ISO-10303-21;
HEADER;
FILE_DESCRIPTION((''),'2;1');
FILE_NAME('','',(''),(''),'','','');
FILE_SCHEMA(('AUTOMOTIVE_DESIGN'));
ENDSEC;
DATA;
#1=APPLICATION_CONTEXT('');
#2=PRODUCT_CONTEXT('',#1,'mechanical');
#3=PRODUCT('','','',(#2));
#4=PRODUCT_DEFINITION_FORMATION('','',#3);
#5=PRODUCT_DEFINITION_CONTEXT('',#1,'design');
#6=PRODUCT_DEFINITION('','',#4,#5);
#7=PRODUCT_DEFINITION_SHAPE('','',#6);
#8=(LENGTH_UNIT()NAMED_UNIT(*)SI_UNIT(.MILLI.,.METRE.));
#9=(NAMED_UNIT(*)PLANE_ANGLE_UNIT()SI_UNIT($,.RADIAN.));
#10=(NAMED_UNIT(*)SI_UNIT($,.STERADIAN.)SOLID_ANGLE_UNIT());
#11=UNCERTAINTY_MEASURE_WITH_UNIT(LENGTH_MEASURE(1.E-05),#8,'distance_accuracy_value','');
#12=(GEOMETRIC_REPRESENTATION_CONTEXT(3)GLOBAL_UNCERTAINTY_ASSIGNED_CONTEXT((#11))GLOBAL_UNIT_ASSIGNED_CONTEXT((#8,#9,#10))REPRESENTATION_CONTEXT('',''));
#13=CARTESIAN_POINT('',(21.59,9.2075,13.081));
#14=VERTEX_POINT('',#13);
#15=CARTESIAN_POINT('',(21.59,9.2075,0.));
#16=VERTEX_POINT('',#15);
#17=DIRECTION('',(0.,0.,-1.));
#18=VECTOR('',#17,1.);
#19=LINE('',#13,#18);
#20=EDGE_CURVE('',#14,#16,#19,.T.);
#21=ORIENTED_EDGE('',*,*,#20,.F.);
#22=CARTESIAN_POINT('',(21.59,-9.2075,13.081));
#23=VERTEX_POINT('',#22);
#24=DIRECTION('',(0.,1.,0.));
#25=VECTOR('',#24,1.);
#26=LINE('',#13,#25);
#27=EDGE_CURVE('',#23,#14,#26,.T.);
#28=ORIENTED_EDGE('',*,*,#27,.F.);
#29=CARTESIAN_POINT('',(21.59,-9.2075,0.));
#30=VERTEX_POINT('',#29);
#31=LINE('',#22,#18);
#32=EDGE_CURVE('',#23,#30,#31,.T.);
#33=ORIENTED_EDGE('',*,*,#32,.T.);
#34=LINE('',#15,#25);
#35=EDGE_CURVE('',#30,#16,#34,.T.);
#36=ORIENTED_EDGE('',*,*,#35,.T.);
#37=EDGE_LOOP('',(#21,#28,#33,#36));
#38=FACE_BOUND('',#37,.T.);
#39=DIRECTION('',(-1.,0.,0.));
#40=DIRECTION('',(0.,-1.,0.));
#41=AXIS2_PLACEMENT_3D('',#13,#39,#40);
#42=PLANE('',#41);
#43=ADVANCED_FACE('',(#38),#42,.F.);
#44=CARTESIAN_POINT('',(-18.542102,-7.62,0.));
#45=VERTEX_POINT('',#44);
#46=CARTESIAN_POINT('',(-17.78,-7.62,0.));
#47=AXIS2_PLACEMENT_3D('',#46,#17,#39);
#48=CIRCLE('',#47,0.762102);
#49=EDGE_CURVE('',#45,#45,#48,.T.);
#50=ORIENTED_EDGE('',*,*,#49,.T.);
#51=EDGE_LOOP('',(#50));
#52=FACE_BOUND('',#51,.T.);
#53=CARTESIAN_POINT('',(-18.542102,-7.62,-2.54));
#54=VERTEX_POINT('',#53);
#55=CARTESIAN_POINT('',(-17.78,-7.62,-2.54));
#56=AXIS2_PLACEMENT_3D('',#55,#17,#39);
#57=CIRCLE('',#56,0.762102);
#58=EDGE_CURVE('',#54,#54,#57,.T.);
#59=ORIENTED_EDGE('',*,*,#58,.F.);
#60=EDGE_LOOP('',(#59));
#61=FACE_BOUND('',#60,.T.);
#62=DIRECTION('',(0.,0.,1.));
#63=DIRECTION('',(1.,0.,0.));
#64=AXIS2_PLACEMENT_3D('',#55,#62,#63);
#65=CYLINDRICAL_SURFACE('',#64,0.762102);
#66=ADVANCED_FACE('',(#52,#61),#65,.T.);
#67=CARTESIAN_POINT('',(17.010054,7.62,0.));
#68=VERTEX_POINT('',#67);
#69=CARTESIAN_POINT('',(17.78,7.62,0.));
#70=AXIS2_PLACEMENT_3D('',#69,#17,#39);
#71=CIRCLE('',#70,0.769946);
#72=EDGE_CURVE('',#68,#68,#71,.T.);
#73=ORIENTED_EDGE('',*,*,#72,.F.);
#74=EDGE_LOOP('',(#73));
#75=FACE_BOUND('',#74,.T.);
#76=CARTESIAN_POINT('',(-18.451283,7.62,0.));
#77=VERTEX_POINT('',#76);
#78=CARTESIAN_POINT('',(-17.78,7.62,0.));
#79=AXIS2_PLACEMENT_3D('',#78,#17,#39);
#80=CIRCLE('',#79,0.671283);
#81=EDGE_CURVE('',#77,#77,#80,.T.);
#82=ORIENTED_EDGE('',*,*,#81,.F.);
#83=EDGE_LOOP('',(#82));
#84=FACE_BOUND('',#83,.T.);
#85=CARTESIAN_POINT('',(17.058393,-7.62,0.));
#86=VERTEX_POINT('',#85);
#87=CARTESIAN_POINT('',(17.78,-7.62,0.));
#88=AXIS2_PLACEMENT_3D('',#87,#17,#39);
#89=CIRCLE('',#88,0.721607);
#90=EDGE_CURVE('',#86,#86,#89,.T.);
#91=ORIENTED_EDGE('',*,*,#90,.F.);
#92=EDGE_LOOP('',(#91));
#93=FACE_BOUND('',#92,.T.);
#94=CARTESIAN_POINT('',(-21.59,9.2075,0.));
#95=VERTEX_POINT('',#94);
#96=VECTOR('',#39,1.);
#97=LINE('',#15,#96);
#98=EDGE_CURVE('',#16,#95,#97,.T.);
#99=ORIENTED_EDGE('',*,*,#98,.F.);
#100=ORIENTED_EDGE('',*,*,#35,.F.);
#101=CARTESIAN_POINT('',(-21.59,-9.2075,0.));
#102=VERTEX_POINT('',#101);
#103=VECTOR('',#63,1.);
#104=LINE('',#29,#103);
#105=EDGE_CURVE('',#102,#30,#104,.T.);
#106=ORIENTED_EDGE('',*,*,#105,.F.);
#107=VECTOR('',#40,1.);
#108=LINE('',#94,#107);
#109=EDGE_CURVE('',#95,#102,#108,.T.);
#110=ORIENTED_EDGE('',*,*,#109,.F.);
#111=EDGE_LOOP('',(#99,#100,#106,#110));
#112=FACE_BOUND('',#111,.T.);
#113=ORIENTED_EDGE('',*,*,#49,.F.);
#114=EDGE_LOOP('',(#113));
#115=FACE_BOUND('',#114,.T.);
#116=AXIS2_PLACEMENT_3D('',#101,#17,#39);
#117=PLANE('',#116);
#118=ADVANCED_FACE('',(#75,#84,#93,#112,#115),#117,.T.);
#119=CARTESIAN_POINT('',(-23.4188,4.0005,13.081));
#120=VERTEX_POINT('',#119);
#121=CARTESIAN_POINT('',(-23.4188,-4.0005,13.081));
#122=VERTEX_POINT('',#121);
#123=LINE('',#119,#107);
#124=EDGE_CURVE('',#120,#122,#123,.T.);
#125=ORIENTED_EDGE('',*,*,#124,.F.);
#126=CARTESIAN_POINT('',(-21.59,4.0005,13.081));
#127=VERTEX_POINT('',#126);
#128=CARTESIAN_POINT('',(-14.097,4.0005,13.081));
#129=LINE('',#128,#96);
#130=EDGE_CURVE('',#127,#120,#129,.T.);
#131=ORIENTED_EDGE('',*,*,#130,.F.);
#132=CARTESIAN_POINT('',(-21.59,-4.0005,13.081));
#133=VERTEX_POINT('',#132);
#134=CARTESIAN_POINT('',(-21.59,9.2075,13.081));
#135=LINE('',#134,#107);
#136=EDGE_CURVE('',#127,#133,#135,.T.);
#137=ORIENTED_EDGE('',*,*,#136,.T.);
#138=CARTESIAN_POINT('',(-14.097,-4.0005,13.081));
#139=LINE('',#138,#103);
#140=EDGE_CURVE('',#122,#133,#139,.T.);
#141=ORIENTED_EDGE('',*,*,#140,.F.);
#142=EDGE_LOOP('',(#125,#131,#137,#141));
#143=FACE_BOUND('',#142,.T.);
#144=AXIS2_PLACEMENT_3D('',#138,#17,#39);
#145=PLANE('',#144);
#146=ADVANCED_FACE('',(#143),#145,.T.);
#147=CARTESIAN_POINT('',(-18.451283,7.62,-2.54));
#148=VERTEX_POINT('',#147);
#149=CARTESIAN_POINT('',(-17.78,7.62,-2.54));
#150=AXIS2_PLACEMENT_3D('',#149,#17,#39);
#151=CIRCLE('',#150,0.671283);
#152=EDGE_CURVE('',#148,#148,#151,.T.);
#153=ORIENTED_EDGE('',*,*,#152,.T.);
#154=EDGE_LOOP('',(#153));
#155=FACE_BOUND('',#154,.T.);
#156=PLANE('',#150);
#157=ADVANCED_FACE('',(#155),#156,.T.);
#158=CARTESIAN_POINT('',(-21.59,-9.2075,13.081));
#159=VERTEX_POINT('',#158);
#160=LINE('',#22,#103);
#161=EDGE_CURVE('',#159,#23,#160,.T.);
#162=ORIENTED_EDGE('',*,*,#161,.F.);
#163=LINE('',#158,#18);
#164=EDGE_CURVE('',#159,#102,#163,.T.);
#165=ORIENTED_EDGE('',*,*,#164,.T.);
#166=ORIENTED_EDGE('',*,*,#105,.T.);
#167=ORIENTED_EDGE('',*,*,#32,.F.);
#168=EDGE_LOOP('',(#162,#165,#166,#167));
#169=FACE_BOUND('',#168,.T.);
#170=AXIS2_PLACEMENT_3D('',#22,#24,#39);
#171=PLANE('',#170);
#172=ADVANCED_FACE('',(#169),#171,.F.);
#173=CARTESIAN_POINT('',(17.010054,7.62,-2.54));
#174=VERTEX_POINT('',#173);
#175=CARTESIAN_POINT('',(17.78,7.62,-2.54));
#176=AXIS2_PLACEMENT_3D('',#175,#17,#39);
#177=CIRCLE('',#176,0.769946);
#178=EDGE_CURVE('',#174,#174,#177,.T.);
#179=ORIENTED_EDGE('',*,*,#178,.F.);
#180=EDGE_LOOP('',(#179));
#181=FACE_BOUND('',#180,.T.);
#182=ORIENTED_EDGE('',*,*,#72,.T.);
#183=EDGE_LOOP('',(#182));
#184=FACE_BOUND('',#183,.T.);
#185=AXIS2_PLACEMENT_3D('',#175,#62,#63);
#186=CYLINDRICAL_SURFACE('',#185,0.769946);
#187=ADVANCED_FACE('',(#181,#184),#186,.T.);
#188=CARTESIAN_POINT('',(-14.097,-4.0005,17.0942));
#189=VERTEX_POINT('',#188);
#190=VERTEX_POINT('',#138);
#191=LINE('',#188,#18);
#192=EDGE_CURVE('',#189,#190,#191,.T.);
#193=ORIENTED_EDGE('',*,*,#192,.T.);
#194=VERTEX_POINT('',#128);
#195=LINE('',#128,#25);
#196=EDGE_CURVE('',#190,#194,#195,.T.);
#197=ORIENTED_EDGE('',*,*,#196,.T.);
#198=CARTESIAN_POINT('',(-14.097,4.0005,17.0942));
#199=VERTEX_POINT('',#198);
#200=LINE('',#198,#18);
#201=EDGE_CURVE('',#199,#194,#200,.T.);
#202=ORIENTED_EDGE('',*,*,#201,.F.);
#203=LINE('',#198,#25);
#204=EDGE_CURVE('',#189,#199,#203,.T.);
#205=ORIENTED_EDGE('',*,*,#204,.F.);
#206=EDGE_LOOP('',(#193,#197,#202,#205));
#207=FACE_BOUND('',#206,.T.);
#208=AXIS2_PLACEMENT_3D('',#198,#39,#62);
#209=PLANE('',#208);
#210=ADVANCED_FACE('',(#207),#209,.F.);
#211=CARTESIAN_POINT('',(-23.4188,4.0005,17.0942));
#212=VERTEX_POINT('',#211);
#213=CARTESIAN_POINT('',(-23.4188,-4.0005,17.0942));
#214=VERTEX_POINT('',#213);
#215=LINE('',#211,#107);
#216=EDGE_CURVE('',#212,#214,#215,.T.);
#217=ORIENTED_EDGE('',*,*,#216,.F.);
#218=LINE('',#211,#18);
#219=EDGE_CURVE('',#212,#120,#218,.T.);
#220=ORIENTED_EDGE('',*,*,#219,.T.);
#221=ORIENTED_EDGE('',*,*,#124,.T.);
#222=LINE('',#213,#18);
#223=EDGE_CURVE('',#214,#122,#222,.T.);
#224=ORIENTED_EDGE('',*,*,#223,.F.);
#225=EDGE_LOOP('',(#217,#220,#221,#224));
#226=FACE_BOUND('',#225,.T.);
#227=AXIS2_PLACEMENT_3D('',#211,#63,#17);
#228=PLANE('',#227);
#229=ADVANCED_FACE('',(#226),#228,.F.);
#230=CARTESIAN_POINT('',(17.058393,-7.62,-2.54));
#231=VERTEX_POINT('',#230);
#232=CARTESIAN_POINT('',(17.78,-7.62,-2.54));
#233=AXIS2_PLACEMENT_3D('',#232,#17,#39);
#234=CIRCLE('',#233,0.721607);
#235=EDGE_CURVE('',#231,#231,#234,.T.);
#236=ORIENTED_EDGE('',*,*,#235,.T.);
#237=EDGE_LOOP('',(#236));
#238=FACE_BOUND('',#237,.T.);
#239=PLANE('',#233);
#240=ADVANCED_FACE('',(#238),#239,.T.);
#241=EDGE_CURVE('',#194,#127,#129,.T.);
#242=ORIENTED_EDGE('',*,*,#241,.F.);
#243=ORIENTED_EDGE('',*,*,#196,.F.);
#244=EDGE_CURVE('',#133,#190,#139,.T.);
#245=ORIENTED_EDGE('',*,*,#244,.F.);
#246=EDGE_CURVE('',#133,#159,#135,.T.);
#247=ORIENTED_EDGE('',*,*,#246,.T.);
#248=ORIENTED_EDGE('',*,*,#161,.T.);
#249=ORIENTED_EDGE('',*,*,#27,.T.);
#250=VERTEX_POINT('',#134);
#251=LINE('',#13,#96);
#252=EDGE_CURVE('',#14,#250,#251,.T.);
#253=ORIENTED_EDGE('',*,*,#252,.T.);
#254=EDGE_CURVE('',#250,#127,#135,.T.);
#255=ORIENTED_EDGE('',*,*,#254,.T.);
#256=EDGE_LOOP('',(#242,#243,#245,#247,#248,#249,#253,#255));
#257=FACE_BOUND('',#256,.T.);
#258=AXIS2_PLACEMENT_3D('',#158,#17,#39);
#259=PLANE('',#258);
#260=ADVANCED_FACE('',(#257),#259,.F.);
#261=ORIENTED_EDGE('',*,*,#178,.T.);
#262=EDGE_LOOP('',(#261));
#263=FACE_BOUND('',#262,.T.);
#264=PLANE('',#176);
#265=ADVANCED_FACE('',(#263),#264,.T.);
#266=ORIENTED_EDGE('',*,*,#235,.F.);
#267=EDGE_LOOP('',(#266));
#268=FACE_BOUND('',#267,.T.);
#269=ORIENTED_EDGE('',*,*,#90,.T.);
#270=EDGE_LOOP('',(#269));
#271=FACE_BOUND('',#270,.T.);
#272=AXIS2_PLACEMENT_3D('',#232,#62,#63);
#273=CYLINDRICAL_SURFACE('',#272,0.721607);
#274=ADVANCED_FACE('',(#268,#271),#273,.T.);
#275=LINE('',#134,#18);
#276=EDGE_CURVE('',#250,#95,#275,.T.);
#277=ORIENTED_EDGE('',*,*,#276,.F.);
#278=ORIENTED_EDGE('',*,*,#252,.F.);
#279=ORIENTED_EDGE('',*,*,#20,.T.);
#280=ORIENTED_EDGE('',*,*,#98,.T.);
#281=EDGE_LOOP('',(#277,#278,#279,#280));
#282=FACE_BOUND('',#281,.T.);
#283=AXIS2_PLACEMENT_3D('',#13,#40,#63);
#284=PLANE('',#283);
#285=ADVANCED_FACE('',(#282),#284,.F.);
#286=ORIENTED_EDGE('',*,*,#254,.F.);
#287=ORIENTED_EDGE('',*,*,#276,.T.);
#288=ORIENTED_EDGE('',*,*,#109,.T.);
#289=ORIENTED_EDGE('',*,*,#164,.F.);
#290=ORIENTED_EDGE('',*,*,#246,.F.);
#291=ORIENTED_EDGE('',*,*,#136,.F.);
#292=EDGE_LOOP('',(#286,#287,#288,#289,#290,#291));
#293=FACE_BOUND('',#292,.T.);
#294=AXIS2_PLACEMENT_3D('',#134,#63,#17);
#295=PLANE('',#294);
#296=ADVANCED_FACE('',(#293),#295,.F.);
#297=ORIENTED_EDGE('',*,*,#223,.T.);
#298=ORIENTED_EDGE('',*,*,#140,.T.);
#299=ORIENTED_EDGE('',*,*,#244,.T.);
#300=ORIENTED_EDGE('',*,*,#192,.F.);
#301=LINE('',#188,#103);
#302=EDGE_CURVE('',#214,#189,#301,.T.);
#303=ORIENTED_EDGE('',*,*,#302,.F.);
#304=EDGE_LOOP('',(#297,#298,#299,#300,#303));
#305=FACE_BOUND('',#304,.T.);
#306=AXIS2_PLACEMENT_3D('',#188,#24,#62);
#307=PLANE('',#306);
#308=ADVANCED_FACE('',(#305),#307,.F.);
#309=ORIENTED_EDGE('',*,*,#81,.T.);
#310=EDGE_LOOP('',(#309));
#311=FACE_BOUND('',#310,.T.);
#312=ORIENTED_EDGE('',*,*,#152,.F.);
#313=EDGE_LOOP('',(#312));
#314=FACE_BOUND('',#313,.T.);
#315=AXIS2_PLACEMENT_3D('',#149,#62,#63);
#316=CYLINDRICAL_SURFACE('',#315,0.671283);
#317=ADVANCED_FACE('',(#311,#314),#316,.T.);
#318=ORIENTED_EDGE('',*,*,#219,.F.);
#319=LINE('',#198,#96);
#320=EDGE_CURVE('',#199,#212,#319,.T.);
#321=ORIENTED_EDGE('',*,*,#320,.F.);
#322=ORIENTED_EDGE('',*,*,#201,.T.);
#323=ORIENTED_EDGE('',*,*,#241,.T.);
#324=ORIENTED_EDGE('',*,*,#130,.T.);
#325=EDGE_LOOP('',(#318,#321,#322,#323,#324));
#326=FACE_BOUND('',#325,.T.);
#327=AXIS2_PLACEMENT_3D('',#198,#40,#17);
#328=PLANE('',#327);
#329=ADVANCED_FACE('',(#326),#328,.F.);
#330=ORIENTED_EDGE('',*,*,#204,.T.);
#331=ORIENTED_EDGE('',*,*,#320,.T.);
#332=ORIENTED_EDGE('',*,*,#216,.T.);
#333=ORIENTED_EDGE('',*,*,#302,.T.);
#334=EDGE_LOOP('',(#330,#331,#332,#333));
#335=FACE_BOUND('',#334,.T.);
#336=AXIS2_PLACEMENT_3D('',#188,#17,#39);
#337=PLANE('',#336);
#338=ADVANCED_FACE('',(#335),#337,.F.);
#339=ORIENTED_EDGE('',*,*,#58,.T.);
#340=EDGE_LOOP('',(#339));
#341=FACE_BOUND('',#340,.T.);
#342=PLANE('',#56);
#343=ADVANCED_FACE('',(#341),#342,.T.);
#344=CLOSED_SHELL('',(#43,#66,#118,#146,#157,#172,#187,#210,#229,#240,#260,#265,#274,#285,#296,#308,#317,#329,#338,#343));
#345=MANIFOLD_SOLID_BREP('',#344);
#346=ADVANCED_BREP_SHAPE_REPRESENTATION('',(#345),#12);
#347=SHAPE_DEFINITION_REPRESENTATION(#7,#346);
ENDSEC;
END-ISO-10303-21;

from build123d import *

# Parameters (mm, degrees)
SKETCH1_W      = 43.18
SKETCH1_H      = 18.415
EXTRUDE1_DEPTH = 13.081
SKETCH2_R      = 0.769945783
SKETCH2_R_2    = 0.721607375
SKETCH2_R_3    = 0.762102327
SKETCH2_R_4    = 0.671282844
EXTRUDE2_DEPTH = 2.54
SKETCH4_W      = 9.3218
SKETCH4_H      = 8.001
EXTRUDE3_DEPTH = 4.0132


with BuildPart() as part:
    # Sketch1 → Extrude1 (new body)
    with BuildSketch(Plane.XY):
        Rectangle(SKETCH1_W, SKETCH1_H)
    extrude(amount=EXTRUDE1_DEPTH)

    # Sketch2 → Extrude2 (add)
    with BuildSketch(Plane(origin=(0, 0, 0), x_dir=(-1, 0, 0), z_dir=(0, 0, -1))):
        with Locations((-17.78, 7.62)):
            Circle(SKETCH2_R)
        with Locations((-17.78, -7.62)):
            Circle(SKETCH2_R_2)
        with Locations((17.78, -7.62)):
            Circle(SKETCH2_R_3)
        with Locations((17.78, 7.62)):
            Circle(SKETCH2_R_4)
    extrude(amount=EXTRUDE2_DEPTH)

    # Sketch4 → Extrude3 (add)
    with BuildSketch(Plane.XY.offset(13.081)):
        with Locations((-18.7579, 0)):
            Rectangle(SKETCH4_W, SKETCH4_H)
    extrude(amount=EXTRUDE3_DEPTH)


solid = part.part
